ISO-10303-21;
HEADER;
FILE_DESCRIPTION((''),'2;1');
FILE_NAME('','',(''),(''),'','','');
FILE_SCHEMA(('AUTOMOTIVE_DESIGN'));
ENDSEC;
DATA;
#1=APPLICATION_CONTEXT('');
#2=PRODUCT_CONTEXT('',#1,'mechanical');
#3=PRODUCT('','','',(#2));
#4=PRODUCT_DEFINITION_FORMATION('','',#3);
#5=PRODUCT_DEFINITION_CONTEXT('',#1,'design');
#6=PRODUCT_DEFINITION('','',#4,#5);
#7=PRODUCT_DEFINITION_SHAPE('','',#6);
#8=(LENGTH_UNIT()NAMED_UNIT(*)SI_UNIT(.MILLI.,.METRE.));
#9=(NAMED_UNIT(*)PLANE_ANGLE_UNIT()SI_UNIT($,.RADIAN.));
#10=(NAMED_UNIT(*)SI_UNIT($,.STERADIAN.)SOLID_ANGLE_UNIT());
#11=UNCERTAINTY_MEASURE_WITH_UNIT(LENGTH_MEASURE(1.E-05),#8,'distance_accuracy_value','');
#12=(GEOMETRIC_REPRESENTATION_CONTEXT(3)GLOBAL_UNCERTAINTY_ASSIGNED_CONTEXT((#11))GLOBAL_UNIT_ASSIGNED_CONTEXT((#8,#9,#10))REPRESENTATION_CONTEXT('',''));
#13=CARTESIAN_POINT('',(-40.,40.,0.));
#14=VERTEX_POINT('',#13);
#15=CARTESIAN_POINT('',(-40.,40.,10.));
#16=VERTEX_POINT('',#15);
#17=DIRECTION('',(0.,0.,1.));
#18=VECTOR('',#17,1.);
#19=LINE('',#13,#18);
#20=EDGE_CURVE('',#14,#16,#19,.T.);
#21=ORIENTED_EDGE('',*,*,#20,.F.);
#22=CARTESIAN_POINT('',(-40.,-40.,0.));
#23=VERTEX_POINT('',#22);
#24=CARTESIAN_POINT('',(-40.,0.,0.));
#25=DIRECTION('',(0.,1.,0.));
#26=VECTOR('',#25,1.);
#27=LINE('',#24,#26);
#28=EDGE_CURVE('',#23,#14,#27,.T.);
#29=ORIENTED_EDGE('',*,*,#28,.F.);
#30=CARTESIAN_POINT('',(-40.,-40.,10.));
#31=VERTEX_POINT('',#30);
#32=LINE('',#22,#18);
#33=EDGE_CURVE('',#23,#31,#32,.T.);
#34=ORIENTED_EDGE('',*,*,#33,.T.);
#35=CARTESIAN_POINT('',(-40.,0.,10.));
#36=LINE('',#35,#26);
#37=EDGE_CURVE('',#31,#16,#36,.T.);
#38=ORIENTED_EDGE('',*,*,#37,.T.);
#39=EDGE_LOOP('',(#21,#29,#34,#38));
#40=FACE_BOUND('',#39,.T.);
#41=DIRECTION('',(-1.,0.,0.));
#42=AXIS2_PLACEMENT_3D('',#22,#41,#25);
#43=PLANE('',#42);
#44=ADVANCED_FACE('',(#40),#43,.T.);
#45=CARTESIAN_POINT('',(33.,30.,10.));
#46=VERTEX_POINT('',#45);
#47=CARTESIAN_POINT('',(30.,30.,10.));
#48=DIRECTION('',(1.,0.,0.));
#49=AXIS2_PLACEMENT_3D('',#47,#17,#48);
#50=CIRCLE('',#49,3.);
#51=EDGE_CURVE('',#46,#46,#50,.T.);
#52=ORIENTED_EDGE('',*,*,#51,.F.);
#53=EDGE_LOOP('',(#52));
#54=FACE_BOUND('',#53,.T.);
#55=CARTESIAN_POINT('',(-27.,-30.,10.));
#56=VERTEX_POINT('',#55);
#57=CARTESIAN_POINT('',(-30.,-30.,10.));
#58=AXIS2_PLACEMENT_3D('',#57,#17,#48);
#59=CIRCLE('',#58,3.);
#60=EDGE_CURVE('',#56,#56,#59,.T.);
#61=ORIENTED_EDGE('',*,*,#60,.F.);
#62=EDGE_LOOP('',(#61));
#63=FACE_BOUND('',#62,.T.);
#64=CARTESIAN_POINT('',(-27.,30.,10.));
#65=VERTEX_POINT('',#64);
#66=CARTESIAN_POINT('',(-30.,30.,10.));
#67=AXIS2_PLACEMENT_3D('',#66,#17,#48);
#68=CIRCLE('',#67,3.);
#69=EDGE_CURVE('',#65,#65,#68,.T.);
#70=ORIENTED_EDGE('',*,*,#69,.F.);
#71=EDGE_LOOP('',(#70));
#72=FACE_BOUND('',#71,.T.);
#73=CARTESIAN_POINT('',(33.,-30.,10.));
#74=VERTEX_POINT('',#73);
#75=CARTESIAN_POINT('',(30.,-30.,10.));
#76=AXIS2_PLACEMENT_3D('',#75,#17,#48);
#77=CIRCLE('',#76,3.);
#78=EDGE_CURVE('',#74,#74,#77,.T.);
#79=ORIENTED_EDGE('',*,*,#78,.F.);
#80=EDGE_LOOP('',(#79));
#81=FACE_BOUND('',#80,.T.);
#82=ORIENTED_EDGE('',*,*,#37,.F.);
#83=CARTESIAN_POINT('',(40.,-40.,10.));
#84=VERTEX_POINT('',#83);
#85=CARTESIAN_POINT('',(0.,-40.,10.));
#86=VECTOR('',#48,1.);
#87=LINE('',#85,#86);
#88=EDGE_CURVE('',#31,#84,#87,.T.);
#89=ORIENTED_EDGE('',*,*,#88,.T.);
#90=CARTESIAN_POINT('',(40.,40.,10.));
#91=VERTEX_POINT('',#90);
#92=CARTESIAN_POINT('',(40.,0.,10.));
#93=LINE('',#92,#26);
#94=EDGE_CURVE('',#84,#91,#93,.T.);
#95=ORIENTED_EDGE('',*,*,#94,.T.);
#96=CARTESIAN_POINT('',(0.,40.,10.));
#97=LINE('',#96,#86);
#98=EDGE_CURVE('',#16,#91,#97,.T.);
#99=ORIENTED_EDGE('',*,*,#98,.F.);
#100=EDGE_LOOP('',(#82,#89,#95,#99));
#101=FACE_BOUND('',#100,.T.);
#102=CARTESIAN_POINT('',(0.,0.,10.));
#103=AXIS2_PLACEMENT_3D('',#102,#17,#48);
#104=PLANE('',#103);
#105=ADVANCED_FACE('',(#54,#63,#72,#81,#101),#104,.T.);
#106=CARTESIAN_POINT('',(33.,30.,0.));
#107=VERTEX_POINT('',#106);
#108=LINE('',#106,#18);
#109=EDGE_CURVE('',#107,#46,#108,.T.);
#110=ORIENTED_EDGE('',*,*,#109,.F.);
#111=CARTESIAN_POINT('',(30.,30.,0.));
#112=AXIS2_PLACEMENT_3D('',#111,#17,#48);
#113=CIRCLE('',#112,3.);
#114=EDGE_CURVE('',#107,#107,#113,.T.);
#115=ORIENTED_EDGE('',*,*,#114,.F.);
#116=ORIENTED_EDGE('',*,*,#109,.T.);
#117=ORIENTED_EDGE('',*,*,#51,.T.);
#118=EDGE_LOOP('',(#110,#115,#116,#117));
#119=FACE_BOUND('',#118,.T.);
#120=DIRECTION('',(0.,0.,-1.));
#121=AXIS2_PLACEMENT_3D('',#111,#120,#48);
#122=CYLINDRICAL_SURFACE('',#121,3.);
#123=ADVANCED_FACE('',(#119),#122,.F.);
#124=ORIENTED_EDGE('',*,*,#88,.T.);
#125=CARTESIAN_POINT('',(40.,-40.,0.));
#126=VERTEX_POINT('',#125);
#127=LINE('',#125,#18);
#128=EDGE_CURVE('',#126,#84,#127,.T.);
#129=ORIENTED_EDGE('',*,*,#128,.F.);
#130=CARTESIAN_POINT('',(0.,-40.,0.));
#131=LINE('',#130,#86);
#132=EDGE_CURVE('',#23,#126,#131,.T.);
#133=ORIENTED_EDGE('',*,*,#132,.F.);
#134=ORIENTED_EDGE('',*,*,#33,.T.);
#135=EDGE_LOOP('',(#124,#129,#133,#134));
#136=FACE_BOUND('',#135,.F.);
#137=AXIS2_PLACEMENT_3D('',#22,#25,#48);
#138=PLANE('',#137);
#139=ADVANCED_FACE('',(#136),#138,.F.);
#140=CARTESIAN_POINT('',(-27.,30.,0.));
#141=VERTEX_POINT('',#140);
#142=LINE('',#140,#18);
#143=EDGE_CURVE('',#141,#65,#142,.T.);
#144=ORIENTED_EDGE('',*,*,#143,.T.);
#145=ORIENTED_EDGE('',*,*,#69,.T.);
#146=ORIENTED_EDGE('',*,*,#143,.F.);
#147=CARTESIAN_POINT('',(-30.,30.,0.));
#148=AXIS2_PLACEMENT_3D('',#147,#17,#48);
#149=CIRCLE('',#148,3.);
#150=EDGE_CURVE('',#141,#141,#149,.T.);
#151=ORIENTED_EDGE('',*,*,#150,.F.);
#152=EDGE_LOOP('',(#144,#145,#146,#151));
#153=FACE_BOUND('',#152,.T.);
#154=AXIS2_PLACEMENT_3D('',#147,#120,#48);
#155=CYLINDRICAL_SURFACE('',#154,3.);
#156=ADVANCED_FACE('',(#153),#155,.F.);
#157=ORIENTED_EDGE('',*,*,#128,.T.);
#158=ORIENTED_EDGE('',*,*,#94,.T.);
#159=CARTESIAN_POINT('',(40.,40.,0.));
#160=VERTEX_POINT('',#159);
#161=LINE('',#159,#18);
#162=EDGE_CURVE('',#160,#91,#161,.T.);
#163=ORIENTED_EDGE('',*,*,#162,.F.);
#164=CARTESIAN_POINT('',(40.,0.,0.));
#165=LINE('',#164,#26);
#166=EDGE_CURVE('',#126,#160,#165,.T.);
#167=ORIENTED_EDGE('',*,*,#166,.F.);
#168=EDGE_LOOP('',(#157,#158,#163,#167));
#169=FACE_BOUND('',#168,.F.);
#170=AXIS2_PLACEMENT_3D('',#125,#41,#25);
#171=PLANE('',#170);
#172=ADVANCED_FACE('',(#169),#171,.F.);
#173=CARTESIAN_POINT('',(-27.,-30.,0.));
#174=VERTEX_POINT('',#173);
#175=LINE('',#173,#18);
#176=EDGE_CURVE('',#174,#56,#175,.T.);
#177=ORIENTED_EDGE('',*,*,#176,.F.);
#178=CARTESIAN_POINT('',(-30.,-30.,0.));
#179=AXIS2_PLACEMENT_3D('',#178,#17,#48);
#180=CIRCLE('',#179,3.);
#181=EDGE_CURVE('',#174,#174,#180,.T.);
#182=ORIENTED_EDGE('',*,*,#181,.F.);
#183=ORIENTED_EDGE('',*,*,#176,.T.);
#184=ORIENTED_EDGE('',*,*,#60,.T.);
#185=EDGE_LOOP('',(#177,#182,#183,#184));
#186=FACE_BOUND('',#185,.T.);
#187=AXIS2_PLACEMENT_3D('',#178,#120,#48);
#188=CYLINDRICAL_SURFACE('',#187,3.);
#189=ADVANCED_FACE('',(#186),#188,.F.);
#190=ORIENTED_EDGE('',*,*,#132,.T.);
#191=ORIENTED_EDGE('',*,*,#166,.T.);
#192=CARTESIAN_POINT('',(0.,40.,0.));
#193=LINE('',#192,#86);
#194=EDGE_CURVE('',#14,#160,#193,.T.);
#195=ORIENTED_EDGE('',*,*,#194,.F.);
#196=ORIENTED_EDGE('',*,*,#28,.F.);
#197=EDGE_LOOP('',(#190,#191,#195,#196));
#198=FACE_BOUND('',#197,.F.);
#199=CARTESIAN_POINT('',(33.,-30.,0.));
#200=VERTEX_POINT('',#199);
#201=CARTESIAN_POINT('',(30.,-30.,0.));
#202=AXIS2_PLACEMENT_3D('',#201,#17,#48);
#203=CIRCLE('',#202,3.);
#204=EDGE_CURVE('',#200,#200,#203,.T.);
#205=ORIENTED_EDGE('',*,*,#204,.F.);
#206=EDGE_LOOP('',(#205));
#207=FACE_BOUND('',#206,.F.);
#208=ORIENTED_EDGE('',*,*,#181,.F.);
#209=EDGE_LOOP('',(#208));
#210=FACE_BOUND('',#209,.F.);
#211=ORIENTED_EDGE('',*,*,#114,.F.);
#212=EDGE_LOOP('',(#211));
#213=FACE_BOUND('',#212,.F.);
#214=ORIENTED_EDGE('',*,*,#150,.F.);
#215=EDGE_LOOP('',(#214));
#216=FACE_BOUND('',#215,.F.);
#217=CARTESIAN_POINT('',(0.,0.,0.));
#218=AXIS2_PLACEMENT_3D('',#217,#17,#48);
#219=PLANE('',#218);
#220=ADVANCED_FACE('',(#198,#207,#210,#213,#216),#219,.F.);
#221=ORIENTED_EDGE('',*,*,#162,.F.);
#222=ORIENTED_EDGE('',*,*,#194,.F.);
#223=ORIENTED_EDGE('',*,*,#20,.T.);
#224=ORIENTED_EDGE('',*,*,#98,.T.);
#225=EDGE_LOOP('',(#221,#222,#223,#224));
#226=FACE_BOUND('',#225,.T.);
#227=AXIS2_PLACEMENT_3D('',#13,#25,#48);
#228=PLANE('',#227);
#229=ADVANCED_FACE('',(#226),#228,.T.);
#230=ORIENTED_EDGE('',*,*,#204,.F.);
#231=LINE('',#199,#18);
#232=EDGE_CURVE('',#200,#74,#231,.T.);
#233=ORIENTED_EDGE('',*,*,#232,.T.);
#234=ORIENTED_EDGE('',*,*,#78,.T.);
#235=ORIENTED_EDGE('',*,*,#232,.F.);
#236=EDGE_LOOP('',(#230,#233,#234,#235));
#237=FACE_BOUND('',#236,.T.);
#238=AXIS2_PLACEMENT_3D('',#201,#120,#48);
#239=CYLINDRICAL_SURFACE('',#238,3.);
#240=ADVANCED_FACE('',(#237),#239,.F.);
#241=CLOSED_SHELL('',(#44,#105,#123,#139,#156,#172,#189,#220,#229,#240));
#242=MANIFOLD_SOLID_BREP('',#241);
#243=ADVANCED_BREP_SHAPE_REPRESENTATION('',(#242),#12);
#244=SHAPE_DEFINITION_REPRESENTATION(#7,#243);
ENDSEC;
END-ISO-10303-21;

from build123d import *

# Parameters (mm, degrees)
SKETCH_W  = 80
SKETCH_H  = 80
SKETCH_R  = 3
PAD_DEPTH = 10


with BuildPart() as part:
    # Sketch → Pad (new body)
    with BuildSketch(Plane.XY):
        Rectangle(SKETCH_W, SKETCH_H)
        with Locations((-30, 30)):
            Circle(SKETCH_R, mode=Mode.SUBTRACT)
        with Locations((30, 30)):
            Circle(SKETCH_R, mode=Mode.SUBTRACT)
        with Locations((-30, -30)):
            Circle(SKETCH_R, mode=Mode.SUBTRACT)
        with Locations((30, -30)):
            Circle(SKETCH_R, mode=Mode.SUBTRACT)
    extrude(amount=PAD_DEPTH)


solid = part.part
